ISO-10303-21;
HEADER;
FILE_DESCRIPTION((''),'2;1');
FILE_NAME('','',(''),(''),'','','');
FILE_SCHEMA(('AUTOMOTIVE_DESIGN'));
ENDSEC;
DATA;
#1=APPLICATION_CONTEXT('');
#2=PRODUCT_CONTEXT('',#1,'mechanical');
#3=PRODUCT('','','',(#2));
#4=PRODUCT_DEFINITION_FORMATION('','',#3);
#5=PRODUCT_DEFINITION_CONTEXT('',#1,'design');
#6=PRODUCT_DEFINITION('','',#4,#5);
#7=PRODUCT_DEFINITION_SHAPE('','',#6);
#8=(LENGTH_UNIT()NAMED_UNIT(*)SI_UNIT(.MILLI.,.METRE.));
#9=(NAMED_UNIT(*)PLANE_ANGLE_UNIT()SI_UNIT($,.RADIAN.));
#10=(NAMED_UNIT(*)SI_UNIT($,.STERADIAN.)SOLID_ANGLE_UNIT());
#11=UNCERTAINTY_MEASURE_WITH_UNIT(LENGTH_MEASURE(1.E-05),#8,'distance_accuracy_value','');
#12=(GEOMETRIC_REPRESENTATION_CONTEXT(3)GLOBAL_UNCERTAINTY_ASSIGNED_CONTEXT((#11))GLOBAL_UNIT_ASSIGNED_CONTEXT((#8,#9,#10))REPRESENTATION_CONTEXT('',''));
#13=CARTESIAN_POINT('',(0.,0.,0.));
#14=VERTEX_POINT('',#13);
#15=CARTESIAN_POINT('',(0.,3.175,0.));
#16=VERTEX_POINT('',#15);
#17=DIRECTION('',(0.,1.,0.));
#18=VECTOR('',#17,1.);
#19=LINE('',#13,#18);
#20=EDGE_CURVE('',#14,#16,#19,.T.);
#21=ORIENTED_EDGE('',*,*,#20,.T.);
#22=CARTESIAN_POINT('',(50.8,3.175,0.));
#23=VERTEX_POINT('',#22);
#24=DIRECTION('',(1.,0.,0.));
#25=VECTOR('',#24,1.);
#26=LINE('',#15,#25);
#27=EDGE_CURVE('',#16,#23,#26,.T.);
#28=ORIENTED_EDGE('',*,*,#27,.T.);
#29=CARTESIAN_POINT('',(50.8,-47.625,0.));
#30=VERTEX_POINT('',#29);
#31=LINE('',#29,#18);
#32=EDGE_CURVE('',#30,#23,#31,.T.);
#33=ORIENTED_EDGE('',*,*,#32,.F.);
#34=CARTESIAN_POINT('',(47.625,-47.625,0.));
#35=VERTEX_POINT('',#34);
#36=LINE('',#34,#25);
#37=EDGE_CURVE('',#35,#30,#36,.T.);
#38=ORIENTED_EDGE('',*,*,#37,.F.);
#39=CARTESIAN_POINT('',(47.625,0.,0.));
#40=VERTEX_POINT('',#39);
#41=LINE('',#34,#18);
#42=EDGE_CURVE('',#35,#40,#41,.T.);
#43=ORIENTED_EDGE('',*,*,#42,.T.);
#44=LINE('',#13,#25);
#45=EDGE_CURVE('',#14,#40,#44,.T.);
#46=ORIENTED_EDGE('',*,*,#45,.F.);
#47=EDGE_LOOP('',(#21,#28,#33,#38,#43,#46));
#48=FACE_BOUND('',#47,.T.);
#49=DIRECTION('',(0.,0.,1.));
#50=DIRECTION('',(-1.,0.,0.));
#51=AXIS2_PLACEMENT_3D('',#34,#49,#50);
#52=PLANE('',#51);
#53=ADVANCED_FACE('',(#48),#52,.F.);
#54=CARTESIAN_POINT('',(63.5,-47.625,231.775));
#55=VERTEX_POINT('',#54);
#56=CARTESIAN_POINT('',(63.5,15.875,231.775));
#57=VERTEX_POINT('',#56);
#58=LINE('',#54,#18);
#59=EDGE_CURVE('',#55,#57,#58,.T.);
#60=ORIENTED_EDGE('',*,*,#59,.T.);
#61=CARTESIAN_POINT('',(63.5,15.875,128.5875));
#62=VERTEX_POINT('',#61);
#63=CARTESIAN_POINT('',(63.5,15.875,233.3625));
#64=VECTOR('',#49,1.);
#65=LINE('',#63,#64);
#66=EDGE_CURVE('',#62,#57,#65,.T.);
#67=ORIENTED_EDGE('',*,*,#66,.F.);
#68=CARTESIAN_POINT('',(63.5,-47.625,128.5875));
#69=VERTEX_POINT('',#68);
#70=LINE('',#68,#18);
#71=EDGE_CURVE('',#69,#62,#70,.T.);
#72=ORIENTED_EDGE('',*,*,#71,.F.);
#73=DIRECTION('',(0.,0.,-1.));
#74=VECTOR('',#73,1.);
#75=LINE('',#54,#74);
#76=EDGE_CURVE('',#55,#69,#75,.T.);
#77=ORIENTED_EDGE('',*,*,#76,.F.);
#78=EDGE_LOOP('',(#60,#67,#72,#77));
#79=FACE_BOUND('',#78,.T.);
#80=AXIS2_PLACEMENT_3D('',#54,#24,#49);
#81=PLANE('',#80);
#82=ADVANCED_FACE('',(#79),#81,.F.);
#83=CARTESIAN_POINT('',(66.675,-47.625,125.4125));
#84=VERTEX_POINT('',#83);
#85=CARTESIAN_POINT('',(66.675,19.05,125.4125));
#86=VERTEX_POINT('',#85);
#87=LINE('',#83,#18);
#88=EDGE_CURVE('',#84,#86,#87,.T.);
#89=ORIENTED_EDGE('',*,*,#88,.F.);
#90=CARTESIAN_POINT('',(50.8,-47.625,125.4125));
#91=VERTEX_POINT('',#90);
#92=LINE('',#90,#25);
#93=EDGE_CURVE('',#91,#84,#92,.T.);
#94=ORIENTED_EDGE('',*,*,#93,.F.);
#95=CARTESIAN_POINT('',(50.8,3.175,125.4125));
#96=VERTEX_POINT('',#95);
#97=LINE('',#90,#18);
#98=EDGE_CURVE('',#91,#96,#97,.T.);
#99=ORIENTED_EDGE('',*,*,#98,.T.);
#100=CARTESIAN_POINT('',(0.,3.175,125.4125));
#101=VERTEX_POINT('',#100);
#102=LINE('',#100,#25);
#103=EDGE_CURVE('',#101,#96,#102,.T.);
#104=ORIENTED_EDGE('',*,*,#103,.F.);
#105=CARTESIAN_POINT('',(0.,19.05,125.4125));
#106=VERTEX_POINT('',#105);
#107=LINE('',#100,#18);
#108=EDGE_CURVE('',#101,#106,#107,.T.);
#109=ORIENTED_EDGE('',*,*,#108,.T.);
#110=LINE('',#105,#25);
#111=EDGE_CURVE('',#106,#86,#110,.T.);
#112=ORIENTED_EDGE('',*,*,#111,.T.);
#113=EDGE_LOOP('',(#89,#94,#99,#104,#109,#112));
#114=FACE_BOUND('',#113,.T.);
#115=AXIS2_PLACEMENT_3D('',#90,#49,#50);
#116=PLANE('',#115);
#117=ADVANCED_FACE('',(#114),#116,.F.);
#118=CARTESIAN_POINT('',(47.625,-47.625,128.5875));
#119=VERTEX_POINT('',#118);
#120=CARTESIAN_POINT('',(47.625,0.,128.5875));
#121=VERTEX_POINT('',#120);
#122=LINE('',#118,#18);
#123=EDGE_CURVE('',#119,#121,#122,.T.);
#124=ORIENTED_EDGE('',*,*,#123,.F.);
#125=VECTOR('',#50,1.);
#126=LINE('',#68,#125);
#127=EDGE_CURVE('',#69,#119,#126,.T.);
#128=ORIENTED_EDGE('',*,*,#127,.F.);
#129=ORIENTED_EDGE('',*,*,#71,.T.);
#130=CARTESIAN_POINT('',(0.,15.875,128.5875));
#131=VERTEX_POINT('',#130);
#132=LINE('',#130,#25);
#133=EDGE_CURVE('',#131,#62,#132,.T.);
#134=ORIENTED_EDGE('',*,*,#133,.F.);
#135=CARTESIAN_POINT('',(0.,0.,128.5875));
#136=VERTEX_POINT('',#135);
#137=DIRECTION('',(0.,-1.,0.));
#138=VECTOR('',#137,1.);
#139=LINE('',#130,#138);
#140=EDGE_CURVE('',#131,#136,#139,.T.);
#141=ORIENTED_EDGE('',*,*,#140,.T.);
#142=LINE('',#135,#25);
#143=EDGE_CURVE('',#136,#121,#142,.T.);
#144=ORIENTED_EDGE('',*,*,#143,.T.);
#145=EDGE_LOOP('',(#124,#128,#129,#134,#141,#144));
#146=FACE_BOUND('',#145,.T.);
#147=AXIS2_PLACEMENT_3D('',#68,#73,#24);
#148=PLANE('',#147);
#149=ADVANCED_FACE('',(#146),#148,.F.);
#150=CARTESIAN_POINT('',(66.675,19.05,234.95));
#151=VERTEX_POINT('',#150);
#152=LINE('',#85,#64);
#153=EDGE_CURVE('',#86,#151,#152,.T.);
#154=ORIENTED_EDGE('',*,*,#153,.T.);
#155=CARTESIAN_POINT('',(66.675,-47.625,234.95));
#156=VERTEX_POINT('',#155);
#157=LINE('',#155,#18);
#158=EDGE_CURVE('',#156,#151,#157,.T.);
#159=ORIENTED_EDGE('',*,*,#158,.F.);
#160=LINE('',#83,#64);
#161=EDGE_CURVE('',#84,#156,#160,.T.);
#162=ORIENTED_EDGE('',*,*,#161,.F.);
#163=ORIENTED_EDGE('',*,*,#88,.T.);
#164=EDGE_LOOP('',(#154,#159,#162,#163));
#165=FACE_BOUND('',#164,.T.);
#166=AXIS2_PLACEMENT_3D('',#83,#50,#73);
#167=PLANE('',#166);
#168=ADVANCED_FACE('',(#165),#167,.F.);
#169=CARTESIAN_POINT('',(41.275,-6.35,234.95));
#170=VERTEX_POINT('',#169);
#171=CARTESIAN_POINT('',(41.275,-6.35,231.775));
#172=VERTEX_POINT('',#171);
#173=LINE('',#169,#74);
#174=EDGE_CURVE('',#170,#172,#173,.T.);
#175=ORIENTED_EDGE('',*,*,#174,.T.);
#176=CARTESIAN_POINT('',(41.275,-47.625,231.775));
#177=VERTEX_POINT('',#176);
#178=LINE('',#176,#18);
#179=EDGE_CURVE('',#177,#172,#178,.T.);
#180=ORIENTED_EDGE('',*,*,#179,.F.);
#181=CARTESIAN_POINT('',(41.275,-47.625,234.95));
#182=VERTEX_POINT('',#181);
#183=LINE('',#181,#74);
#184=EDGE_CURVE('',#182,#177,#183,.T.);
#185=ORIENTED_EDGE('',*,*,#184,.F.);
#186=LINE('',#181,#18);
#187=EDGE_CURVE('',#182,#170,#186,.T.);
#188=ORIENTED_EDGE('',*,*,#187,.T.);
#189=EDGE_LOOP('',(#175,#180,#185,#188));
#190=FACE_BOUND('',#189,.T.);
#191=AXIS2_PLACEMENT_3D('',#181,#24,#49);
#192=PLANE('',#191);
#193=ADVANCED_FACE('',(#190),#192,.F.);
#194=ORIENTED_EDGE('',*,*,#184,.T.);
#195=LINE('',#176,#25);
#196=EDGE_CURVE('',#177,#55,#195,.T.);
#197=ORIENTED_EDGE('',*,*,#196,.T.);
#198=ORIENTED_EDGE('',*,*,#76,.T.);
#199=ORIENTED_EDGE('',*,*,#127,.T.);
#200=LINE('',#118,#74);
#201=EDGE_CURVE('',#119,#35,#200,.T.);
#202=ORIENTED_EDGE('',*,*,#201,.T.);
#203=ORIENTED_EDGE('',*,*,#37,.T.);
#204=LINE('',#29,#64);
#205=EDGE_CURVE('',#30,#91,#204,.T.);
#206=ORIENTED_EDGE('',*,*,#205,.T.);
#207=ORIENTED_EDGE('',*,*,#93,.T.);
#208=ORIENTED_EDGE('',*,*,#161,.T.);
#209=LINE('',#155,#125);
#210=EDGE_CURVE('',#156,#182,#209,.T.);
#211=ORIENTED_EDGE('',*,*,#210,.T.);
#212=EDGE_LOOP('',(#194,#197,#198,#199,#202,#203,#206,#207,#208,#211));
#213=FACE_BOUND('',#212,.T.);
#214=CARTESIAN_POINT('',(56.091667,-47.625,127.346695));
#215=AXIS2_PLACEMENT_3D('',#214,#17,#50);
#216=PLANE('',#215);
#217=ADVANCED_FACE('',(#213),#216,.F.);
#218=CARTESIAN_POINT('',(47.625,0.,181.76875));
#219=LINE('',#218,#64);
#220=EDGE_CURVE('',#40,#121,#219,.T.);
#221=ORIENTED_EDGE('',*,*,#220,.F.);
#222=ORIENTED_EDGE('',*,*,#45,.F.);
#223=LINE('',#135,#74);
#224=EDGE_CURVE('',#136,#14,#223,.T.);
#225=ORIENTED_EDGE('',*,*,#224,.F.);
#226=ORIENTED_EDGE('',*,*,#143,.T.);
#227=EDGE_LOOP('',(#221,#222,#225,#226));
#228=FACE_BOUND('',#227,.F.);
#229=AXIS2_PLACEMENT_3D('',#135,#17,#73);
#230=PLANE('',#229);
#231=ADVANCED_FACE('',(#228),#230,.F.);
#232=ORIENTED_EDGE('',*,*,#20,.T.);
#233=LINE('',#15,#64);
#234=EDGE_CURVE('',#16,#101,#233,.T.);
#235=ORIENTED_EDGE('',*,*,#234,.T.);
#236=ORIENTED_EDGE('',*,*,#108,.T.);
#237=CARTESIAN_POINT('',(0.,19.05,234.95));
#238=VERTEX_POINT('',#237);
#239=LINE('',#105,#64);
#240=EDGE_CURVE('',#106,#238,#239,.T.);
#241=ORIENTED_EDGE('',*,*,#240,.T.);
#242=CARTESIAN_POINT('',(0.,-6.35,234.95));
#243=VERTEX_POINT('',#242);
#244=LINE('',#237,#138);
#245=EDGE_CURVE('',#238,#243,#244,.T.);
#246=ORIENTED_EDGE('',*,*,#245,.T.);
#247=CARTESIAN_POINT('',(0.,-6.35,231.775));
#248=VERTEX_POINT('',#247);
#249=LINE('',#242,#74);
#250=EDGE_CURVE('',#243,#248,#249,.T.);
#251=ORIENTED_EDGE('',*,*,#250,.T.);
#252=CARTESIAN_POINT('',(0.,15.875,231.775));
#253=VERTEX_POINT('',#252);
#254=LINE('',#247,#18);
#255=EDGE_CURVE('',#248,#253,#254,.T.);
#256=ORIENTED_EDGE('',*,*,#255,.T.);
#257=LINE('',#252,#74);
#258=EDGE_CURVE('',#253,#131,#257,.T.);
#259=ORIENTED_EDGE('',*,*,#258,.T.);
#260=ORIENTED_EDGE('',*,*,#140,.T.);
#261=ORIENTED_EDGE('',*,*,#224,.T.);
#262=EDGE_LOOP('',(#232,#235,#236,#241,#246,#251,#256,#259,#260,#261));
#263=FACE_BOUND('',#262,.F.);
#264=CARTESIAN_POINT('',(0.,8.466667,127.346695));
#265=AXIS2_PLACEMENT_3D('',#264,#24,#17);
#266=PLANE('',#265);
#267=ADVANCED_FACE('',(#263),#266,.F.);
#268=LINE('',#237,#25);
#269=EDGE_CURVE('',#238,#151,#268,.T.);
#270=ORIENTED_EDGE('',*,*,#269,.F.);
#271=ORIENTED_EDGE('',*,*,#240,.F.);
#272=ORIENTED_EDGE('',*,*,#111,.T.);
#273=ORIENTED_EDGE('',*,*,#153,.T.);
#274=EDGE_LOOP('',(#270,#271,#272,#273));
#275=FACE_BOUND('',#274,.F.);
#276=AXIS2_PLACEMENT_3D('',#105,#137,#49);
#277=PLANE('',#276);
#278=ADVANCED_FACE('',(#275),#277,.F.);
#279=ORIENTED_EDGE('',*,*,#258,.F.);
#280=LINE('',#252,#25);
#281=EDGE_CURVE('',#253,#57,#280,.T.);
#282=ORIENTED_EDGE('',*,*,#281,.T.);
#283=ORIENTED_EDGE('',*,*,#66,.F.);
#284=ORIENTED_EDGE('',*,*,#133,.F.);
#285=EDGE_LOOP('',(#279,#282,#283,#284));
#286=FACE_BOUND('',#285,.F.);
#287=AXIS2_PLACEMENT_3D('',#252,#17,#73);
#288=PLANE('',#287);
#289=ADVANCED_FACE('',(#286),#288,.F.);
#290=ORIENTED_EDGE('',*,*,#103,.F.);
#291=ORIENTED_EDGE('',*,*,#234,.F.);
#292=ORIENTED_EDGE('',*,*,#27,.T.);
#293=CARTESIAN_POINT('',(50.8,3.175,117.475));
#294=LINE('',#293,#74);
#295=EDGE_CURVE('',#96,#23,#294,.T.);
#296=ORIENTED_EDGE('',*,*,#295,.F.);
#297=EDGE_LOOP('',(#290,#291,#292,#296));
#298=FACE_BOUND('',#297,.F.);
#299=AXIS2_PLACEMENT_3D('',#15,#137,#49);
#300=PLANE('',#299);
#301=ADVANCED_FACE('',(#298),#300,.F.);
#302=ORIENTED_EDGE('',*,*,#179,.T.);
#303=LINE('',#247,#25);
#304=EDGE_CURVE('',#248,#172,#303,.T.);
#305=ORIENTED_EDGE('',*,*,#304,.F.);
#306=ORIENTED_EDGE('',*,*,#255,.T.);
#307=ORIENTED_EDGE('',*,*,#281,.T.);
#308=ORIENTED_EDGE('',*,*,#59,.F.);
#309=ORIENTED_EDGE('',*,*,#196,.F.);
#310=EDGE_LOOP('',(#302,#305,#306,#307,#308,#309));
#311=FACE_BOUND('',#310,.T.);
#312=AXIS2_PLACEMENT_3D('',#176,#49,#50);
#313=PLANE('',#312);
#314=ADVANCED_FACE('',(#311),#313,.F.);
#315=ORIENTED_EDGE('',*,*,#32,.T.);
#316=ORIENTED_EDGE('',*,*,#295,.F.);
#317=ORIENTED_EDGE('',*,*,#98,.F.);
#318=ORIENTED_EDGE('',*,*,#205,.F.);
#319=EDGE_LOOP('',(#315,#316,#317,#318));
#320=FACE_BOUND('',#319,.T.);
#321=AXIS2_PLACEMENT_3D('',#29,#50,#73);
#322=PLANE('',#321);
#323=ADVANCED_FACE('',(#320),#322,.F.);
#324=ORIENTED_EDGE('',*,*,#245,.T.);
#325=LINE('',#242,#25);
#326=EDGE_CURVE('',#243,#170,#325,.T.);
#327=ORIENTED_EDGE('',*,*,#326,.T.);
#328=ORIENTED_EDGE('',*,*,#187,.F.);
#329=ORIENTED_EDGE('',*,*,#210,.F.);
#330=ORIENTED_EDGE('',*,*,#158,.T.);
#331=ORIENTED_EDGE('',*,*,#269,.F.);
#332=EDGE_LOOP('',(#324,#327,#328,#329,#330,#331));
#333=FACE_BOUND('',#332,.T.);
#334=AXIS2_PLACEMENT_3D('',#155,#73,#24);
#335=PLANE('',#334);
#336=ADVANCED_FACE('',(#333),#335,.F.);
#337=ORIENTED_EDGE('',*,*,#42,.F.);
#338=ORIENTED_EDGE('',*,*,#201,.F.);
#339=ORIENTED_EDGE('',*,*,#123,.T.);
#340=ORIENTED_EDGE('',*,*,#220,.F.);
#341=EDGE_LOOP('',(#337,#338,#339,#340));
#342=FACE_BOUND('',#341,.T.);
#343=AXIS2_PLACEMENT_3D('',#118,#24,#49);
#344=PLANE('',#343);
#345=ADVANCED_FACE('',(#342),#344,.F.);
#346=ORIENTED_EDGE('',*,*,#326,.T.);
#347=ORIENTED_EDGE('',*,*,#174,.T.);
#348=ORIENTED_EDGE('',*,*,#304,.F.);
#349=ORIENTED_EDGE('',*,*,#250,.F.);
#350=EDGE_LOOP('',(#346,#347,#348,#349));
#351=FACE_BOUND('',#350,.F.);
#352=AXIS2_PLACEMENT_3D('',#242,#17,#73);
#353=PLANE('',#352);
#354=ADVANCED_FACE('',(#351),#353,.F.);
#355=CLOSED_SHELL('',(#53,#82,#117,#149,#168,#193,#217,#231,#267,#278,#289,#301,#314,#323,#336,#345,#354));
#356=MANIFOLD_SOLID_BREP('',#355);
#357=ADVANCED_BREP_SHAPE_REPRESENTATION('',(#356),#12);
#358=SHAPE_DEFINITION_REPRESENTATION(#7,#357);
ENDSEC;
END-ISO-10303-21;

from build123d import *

# Parameters (mm, degrees)
F1_DEPTH = 66.675
F3_DEPTH = 234.951


with BuildPart() as f1:
    # F0 (on Right) → F1 (new body)
    with BuildSketch(Plane.YZ):
        Polygon((0, 128.5875), (0, 0), (3.175, 0), (3.175, 125.4125), (19.05, 125.4125), (19.05, 234.95), (-6.35, 234.95), (-6.35, 231.775), (15.875, 231.775), (15.875, 128.5875), align=None)
    extrude(amount=F1_DEPTH)

    # F2 (on face) → F3 (cut, through all)
    with BuildSketch(Plane.XY.offset(234.95)):
        Polygon((66.675, -6.35), (66.675, 19.05), (41.275, -6.35), align=None)
    extrude(amount=-F3_DEPTH, mode=Mode.SUBTRACT)

    # F4: F1 across face


with BuildPart() as f1_1:
    add(f1.part)
    add(f1.part.mirror(Plane(origin=(56.208576, 8.583576, 127.461483), x_dir=(0.707107, 0.707107, 0), z_dir=(0.707107, -0.707107, 0))))


solid = f1_1.part
